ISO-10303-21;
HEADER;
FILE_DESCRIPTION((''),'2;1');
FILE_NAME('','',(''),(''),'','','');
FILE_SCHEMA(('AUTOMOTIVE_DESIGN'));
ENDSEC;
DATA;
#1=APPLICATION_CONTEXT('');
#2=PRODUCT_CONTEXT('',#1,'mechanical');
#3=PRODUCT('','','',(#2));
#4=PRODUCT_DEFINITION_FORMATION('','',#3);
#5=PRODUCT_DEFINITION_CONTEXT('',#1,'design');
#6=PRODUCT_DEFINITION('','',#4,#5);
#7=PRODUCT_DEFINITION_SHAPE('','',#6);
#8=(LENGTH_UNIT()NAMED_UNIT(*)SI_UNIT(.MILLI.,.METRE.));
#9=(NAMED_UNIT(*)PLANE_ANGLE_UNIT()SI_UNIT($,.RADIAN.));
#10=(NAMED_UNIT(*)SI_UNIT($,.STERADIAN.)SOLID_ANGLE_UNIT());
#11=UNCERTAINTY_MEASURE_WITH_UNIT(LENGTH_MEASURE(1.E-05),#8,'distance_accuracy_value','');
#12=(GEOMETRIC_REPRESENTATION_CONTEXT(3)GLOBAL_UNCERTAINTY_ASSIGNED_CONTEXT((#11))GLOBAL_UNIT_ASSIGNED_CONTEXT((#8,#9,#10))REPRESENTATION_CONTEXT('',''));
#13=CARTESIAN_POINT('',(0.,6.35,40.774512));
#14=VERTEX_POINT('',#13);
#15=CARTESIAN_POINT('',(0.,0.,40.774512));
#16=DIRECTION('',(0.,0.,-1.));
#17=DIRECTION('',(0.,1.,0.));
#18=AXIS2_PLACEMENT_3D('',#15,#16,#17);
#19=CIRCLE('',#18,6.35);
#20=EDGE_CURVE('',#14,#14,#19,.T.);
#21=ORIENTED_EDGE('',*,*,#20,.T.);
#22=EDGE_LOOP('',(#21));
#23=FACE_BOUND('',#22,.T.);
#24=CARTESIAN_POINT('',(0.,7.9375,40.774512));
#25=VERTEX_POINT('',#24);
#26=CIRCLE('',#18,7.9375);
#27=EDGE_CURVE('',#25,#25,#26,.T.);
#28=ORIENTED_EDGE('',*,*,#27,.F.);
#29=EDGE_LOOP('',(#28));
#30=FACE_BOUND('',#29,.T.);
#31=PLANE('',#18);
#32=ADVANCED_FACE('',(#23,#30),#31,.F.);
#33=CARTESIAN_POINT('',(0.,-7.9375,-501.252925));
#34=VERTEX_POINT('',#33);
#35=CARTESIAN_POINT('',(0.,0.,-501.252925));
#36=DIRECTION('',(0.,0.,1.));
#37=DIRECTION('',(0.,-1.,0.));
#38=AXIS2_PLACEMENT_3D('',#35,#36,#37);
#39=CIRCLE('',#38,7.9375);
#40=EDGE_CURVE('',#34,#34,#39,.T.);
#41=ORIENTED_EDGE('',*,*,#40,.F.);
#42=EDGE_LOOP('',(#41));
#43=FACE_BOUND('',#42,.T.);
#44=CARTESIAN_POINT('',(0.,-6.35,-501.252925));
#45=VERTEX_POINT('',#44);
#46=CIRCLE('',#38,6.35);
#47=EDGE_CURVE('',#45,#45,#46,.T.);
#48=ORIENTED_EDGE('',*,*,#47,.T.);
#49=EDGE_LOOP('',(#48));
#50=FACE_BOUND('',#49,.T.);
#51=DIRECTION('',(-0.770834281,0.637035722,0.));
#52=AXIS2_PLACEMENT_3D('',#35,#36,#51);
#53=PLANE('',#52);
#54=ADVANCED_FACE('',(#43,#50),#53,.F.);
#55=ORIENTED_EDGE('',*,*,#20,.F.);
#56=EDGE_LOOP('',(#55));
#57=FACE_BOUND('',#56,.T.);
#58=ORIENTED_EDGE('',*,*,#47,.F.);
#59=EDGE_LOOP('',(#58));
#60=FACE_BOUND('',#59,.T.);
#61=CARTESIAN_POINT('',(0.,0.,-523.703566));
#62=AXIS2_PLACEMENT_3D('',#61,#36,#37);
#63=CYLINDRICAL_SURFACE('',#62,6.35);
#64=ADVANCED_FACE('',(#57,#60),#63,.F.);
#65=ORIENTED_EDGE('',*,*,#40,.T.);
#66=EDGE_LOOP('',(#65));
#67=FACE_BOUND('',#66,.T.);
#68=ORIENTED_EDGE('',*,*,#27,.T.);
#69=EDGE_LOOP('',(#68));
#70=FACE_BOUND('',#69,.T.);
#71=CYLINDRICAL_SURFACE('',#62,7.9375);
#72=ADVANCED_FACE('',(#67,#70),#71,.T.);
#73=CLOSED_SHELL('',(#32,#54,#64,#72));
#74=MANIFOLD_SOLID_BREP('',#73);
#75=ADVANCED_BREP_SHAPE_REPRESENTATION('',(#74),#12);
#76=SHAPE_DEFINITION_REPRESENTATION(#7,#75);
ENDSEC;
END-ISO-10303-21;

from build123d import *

# Parameters (mm, degrees)
SKETCH3_R           = 7.9375
SKETCH3_R_2         = 6.35
BOSS_EXTRUDE2_DEPTH = 542.027436889


with BuildPart() as part:
    # Sketch3 → Boss-Extrude2 (new body)
    with BuildSketch(Plane(origin=(0, 0, 40.774511507), x_dir=(-1, 0, 0), z_dir=(0, 0, -1))):
        with Locations(Location((0, 0, 0), (0, 0, 270))):
            Circle(SKETCH3_R)
        with Locations(Location((0, 0, 0), (0, 0, 270))):
            Circle(SKETCH3_R_2, mode=Mode.SUBTRACT)
    extrude(amount=BOSS_EXTRUDE2_DEPTH)


solid = part.part
